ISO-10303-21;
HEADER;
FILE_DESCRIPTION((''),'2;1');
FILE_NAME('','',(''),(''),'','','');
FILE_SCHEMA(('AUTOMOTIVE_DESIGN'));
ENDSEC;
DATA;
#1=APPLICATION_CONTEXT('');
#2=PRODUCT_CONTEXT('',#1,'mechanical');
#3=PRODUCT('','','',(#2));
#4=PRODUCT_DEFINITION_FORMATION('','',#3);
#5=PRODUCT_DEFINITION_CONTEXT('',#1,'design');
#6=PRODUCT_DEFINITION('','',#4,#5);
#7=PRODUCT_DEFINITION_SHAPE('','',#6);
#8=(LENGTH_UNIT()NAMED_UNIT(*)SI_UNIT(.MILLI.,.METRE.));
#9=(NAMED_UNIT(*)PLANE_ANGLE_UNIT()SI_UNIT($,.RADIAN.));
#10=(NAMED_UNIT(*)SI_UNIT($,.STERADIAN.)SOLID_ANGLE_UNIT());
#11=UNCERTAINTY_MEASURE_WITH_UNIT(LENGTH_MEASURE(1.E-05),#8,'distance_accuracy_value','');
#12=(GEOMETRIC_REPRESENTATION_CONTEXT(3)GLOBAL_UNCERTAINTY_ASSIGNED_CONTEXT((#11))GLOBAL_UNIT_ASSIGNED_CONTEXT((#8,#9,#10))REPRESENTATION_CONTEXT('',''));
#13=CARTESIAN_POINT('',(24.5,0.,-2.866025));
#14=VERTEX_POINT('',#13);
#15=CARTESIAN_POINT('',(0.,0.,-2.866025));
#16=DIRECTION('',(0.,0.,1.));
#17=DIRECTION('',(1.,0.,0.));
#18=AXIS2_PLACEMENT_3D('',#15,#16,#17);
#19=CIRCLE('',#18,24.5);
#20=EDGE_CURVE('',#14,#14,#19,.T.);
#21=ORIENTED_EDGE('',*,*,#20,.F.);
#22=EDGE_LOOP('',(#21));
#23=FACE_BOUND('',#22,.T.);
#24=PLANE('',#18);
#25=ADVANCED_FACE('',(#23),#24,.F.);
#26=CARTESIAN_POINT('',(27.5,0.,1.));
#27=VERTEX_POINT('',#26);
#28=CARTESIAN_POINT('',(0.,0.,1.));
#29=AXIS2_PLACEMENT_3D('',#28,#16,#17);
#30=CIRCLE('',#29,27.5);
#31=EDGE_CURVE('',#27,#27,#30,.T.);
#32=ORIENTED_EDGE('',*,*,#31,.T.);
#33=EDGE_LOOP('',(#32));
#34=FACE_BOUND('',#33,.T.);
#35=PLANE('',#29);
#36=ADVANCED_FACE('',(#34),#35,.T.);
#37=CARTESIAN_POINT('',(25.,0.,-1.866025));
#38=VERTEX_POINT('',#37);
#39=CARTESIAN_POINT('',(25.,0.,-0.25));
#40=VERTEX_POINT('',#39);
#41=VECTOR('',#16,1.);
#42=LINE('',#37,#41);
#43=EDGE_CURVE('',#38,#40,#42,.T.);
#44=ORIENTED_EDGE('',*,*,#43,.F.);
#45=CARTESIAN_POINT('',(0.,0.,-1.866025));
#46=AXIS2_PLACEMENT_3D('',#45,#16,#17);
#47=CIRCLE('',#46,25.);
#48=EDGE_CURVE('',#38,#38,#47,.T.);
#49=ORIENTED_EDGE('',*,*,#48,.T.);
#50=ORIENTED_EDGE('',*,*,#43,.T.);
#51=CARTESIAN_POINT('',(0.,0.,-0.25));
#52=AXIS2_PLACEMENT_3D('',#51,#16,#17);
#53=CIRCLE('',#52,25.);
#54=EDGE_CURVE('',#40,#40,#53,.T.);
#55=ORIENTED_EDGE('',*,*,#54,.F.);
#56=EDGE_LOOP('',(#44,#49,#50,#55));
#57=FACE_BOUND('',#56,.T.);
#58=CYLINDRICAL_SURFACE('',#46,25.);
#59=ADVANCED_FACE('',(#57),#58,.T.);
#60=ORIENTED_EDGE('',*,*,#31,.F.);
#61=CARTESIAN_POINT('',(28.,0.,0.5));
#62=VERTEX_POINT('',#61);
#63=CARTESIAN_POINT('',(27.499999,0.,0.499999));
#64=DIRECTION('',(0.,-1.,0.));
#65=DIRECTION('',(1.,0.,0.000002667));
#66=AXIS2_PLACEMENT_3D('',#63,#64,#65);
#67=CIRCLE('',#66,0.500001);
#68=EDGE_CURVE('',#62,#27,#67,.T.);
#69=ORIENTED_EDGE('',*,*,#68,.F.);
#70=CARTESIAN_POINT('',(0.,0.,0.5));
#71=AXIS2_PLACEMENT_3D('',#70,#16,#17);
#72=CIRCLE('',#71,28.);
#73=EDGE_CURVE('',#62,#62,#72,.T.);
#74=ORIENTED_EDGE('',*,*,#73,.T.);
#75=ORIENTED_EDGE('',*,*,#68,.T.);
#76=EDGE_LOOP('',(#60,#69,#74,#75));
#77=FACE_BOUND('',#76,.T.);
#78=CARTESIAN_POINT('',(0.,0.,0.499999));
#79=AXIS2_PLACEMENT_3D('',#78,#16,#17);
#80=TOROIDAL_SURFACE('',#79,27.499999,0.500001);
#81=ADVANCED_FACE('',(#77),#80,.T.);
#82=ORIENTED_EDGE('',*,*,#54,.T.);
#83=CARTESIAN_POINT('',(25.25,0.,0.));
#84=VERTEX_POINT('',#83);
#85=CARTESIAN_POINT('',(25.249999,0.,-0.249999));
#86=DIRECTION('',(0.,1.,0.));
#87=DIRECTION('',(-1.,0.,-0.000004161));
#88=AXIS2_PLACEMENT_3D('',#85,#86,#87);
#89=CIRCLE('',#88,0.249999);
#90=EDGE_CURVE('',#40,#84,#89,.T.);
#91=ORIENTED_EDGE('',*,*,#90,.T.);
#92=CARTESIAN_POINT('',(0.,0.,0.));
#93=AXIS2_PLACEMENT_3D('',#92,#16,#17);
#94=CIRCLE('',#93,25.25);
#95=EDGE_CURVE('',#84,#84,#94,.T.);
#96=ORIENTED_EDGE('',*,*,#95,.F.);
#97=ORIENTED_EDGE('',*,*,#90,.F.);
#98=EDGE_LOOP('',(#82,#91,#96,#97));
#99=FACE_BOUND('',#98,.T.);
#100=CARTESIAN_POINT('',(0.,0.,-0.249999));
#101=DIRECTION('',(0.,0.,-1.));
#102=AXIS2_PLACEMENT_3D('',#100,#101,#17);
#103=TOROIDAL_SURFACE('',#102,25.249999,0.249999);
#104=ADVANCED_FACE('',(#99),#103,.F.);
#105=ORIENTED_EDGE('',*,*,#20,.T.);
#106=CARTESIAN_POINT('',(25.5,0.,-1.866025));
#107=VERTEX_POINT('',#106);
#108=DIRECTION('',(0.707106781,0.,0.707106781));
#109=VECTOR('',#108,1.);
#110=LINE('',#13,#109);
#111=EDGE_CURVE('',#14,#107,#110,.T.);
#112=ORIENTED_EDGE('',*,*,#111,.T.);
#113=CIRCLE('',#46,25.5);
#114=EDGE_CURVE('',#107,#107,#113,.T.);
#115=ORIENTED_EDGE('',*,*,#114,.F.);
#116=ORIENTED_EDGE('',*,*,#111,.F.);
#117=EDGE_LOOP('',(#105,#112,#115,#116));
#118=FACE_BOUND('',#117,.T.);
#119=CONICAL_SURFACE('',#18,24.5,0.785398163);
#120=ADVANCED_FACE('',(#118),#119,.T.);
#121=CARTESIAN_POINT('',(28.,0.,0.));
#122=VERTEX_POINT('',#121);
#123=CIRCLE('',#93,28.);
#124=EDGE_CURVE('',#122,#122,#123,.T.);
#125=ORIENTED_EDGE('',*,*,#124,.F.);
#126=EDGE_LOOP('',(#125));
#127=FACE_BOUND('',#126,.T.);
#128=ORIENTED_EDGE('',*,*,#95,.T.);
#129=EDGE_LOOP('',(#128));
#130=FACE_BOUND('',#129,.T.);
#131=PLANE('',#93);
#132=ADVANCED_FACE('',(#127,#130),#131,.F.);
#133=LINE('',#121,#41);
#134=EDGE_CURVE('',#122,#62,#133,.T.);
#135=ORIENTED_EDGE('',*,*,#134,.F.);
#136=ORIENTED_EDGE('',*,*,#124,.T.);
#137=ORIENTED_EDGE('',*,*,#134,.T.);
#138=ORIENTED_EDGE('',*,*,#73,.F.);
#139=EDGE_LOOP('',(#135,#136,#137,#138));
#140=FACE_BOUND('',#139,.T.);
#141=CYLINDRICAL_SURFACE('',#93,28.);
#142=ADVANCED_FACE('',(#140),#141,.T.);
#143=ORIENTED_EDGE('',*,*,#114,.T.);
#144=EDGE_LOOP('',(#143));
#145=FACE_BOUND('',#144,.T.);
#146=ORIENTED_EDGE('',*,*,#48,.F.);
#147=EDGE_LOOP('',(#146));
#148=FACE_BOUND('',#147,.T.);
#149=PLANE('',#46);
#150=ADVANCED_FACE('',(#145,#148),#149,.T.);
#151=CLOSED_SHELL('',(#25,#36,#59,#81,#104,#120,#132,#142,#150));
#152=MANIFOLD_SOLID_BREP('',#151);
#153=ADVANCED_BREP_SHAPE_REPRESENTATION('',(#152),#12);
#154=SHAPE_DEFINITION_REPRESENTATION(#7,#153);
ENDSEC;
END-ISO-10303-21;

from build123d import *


with BuildPart() as f1:
    # F0 (on Front) → F1 (revolve)
    with BuildSketch(Plane.XZ):
        with BuildLine():
            Line((0, 1), (0, 0))
            Line((0, 0), (0, -2.866025))
            Line((0, -2.866025), (24.5, -2.866025))
            Line((24.5, -2.866025), (25.5, -1.866025))
            Line((25.5, -1.866025), (25, -1.866025))
            Line((25, -1.866025), (25, -1))
            Line((25, -1), (25, -0.25))
            ThreePointArc((25, -0.25), (25.073223, -0.073223), (25.25, 0))
            Line((25.25, 0), (28, 0))
            Line((28, 0), (28, 0.5))
            ThreePointArc((28, 0.5), (27.853553, 0.853553), (27.5, 1))
            Line((27.5, 1), (0, 1))
        make_face()
    revolve(axis=Axis((0, 0, -1.433013), (0, 0, 1)))


solid = f1.part
